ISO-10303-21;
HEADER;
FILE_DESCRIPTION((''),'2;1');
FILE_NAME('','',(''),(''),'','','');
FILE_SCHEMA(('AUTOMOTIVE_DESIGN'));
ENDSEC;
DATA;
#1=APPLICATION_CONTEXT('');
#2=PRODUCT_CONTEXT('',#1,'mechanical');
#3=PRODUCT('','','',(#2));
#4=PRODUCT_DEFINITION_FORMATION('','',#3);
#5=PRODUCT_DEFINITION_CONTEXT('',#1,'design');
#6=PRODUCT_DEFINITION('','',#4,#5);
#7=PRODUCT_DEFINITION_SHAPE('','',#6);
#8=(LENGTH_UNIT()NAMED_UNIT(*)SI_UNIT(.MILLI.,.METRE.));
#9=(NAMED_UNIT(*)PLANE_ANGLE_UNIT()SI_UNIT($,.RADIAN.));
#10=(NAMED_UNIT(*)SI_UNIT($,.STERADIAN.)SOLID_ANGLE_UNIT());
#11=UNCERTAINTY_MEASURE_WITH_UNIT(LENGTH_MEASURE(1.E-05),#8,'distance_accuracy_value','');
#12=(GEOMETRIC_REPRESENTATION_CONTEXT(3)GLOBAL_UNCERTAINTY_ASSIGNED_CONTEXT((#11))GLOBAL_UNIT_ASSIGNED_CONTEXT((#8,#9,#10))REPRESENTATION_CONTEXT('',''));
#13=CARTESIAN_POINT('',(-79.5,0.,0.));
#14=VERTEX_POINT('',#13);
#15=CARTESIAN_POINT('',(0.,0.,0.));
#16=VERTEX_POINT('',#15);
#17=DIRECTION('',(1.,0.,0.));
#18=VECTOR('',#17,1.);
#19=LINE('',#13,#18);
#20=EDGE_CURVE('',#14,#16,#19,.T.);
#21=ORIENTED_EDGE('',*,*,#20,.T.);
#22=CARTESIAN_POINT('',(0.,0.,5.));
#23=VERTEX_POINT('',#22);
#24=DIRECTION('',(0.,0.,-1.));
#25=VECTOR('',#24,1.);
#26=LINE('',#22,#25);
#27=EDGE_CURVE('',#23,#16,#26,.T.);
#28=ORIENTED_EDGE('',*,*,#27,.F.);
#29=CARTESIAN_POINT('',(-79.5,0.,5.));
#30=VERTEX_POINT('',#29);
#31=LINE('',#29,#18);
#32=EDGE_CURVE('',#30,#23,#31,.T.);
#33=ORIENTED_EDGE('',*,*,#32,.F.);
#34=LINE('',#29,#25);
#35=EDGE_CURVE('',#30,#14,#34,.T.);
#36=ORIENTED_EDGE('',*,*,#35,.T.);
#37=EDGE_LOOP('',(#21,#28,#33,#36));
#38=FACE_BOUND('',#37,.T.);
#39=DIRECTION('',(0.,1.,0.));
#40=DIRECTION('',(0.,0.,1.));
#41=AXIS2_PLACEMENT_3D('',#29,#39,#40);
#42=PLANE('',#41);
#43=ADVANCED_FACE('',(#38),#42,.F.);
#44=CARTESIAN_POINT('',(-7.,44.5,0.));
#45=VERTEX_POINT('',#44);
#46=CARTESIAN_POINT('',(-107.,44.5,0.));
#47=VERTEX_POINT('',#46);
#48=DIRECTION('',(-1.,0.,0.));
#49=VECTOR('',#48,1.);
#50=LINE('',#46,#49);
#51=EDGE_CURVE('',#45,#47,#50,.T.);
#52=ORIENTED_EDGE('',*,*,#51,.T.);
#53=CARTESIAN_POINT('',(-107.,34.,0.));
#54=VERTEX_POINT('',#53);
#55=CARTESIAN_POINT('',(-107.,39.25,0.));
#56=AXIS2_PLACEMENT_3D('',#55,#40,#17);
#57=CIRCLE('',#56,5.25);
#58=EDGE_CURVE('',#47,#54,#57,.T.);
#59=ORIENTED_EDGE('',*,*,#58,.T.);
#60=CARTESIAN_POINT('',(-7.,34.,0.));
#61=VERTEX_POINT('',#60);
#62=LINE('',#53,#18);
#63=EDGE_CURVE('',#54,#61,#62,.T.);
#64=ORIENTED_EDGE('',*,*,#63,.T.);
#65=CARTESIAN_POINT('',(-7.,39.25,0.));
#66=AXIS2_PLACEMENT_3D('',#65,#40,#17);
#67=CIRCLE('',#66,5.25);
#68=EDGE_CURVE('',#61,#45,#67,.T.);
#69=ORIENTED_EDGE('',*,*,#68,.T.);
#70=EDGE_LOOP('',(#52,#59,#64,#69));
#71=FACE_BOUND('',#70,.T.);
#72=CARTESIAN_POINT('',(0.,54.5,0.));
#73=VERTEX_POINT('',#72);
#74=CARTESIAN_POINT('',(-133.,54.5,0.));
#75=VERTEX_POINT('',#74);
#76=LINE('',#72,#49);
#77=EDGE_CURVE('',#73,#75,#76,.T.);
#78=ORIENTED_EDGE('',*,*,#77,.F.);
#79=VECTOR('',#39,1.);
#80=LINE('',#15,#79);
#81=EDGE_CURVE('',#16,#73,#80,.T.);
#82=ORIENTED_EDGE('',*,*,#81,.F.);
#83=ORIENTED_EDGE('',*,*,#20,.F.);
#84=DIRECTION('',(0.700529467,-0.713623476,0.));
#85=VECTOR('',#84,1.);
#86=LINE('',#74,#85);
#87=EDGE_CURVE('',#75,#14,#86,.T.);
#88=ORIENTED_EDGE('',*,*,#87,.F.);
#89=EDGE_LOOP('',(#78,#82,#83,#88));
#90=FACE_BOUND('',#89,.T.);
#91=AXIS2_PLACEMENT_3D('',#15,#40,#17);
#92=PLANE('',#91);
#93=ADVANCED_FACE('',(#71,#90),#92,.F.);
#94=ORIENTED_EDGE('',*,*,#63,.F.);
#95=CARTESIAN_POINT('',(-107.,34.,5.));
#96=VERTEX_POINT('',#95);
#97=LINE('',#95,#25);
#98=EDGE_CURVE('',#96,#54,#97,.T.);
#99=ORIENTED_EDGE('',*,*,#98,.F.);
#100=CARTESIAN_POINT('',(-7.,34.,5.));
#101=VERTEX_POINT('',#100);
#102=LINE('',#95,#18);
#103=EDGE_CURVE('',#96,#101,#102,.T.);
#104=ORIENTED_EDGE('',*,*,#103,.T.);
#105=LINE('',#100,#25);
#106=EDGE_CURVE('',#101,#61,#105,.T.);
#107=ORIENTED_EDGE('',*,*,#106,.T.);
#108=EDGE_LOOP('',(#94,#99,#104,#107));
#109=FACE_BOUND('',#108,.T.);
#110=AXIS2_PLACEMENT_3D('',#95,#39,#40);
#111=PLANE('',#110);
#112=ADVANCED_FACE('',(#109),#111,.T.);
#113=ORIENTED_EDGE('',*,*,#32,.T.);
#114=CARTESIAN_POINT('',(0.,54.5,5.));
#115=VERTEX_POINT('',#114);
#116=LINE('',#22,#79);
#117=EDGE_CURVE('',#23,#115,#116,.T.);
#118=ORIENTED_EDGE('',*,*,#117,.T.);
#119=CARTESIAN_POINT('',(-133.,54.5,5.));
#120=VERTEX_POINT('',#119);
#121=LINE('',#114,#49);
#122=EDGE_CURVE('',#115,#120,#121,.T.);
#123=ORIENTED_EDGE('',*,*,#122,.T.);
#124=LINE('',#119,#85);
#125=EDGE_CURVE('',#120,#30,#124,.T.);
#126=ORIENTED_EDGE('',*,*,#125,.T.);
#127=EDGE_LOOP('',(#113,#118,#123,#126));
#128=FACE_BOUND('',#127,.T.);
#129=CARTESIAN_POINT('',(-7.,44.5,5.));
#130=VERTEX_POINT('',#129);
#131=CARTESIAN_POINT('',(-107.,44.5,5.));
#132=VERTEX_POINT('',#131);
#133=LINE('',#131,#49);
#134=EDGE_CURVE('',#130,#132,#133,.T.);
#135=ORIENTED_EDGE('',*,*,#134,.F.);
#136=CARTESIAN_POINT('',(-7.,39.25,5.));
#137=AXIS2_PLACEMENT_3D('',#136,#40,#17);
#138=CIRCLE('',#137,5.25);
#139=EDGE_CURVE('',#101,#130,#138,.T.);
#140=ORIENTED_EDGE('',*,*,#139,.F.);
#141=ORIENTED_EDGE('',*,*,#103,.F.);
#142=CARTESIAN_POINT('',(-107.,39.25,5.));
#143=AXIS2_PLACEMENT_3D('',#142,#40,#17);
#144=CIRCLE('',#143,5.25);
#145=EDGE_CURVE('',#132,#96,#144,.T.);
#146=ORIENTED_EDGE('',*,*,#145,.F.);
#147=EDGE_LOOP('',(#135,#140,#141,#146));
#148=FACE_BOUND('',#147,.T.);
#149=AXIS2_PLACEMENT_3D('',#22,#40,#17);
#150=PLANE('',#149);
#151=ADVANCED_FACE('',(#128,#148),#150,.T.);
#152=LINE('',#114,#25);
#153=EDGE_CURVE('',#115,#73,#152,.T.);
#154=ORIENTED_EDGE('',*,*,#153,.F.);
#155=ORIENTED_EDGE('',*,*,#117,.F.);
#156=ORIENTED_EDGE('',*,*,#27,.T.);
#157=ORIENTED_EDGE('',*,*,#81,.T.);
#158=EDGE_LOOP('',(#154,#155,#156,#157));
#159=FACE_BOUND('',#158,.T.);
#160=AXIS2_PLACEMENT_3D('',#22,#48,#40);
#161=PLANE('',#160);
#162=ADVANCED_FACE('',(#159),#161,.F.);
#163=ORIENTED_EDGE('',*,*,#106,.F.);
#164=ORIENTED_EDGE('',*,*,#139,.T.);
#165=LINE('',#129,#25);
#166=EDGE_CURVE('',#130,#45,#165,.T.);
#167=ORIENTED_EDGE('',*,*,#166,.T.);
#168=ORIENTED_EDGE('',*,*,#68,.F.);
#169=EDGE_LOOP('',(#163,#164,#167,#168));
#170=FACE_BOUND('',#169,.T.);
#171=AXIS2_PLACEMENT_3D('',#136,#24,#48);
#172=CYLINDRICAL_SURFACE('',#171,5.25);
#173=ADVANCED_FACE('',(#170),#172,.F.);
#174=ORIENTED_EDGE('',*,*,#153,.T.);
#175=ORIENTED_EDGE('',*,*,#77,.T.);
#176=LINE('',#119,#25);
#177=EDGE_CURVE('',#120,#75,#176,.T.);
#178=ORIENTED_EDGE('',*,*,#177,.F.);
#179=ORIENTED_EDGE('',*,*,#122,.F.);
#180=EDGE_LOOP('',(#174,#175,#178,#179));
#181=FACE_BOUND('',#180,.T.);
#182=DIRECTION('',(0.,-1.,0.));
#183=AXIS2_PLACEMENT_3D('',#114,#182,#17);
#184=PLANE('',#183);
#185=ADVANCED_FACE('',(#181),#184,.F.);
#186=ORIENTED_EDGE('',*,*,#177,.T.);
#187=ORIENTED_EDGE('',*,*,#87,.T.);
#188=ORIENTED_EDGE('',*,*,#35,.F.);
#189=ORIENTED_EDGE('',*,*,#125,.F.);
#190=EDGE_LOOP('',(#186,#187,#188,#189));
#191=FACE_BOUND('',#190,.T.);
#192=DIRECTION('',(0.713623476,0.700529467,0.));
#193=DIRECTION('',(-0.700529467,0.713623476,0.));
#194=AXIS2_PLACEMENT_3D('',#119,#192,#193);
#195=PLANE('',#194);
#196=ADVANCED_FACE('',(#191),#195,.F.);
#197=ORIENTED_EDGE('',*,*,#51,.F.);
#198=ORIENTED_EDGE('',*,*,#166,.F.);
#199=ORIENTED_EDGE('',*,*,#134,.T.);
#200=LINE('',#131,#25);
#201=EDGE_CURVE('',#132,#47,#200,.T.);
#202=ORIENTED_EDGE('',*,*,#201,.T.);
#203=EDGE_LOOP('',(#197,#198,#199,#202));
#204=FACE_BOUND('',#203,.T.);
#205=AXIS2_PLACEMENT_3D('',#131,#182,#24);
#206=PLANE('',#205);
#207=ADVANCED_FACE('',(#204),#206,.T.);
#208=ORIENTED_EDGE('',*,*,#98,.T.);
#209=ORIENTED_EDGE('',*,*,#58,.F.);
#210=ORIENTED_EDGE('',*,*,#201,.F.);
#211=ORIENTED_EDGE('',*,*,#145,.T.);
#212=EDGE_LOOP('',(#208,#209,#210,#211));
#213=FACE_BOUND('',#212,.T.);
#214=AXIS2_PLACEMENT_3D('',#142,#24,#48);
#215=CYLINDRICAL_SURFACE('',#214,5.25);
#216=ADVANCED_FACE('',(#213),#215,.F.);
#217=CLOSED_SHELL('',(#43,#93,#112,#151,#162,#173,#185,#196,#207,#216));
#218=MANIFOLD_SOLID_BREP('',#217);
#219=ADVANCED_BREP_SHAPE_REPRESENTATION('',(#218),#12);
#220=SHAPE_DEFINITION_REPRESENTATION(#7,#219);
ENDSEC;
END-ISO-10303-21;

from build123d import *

# Parameters (mm, degrees)
BOSS_EXTRUDE1_DEPTH = 5


with BuildPart() as part:
    # Sketch1 → Boss-Extrude1 (new body)
    with BuildSketch(Plane.XY):
        Polygon((0, 0), (0, 54.5), (-133, 54.5), (-79.5, 0), align=None)
        with BuildLine():
            Line((-107, 44.5), (-7, 44.5))
            ThreePointArc((-7, 44.5), (-1.75, 39.25), (-7, 34))
            Line((-7, 34), (-107, 34))
            ThreePointArc((-107, 34), (-112.25, 39.25), (-107, 44.5))
        make_face(mode=Mode.SUBTRACT)
    extrude(amount=BOSS_EXTRUDE1_DEPTH)


solid = part.part
